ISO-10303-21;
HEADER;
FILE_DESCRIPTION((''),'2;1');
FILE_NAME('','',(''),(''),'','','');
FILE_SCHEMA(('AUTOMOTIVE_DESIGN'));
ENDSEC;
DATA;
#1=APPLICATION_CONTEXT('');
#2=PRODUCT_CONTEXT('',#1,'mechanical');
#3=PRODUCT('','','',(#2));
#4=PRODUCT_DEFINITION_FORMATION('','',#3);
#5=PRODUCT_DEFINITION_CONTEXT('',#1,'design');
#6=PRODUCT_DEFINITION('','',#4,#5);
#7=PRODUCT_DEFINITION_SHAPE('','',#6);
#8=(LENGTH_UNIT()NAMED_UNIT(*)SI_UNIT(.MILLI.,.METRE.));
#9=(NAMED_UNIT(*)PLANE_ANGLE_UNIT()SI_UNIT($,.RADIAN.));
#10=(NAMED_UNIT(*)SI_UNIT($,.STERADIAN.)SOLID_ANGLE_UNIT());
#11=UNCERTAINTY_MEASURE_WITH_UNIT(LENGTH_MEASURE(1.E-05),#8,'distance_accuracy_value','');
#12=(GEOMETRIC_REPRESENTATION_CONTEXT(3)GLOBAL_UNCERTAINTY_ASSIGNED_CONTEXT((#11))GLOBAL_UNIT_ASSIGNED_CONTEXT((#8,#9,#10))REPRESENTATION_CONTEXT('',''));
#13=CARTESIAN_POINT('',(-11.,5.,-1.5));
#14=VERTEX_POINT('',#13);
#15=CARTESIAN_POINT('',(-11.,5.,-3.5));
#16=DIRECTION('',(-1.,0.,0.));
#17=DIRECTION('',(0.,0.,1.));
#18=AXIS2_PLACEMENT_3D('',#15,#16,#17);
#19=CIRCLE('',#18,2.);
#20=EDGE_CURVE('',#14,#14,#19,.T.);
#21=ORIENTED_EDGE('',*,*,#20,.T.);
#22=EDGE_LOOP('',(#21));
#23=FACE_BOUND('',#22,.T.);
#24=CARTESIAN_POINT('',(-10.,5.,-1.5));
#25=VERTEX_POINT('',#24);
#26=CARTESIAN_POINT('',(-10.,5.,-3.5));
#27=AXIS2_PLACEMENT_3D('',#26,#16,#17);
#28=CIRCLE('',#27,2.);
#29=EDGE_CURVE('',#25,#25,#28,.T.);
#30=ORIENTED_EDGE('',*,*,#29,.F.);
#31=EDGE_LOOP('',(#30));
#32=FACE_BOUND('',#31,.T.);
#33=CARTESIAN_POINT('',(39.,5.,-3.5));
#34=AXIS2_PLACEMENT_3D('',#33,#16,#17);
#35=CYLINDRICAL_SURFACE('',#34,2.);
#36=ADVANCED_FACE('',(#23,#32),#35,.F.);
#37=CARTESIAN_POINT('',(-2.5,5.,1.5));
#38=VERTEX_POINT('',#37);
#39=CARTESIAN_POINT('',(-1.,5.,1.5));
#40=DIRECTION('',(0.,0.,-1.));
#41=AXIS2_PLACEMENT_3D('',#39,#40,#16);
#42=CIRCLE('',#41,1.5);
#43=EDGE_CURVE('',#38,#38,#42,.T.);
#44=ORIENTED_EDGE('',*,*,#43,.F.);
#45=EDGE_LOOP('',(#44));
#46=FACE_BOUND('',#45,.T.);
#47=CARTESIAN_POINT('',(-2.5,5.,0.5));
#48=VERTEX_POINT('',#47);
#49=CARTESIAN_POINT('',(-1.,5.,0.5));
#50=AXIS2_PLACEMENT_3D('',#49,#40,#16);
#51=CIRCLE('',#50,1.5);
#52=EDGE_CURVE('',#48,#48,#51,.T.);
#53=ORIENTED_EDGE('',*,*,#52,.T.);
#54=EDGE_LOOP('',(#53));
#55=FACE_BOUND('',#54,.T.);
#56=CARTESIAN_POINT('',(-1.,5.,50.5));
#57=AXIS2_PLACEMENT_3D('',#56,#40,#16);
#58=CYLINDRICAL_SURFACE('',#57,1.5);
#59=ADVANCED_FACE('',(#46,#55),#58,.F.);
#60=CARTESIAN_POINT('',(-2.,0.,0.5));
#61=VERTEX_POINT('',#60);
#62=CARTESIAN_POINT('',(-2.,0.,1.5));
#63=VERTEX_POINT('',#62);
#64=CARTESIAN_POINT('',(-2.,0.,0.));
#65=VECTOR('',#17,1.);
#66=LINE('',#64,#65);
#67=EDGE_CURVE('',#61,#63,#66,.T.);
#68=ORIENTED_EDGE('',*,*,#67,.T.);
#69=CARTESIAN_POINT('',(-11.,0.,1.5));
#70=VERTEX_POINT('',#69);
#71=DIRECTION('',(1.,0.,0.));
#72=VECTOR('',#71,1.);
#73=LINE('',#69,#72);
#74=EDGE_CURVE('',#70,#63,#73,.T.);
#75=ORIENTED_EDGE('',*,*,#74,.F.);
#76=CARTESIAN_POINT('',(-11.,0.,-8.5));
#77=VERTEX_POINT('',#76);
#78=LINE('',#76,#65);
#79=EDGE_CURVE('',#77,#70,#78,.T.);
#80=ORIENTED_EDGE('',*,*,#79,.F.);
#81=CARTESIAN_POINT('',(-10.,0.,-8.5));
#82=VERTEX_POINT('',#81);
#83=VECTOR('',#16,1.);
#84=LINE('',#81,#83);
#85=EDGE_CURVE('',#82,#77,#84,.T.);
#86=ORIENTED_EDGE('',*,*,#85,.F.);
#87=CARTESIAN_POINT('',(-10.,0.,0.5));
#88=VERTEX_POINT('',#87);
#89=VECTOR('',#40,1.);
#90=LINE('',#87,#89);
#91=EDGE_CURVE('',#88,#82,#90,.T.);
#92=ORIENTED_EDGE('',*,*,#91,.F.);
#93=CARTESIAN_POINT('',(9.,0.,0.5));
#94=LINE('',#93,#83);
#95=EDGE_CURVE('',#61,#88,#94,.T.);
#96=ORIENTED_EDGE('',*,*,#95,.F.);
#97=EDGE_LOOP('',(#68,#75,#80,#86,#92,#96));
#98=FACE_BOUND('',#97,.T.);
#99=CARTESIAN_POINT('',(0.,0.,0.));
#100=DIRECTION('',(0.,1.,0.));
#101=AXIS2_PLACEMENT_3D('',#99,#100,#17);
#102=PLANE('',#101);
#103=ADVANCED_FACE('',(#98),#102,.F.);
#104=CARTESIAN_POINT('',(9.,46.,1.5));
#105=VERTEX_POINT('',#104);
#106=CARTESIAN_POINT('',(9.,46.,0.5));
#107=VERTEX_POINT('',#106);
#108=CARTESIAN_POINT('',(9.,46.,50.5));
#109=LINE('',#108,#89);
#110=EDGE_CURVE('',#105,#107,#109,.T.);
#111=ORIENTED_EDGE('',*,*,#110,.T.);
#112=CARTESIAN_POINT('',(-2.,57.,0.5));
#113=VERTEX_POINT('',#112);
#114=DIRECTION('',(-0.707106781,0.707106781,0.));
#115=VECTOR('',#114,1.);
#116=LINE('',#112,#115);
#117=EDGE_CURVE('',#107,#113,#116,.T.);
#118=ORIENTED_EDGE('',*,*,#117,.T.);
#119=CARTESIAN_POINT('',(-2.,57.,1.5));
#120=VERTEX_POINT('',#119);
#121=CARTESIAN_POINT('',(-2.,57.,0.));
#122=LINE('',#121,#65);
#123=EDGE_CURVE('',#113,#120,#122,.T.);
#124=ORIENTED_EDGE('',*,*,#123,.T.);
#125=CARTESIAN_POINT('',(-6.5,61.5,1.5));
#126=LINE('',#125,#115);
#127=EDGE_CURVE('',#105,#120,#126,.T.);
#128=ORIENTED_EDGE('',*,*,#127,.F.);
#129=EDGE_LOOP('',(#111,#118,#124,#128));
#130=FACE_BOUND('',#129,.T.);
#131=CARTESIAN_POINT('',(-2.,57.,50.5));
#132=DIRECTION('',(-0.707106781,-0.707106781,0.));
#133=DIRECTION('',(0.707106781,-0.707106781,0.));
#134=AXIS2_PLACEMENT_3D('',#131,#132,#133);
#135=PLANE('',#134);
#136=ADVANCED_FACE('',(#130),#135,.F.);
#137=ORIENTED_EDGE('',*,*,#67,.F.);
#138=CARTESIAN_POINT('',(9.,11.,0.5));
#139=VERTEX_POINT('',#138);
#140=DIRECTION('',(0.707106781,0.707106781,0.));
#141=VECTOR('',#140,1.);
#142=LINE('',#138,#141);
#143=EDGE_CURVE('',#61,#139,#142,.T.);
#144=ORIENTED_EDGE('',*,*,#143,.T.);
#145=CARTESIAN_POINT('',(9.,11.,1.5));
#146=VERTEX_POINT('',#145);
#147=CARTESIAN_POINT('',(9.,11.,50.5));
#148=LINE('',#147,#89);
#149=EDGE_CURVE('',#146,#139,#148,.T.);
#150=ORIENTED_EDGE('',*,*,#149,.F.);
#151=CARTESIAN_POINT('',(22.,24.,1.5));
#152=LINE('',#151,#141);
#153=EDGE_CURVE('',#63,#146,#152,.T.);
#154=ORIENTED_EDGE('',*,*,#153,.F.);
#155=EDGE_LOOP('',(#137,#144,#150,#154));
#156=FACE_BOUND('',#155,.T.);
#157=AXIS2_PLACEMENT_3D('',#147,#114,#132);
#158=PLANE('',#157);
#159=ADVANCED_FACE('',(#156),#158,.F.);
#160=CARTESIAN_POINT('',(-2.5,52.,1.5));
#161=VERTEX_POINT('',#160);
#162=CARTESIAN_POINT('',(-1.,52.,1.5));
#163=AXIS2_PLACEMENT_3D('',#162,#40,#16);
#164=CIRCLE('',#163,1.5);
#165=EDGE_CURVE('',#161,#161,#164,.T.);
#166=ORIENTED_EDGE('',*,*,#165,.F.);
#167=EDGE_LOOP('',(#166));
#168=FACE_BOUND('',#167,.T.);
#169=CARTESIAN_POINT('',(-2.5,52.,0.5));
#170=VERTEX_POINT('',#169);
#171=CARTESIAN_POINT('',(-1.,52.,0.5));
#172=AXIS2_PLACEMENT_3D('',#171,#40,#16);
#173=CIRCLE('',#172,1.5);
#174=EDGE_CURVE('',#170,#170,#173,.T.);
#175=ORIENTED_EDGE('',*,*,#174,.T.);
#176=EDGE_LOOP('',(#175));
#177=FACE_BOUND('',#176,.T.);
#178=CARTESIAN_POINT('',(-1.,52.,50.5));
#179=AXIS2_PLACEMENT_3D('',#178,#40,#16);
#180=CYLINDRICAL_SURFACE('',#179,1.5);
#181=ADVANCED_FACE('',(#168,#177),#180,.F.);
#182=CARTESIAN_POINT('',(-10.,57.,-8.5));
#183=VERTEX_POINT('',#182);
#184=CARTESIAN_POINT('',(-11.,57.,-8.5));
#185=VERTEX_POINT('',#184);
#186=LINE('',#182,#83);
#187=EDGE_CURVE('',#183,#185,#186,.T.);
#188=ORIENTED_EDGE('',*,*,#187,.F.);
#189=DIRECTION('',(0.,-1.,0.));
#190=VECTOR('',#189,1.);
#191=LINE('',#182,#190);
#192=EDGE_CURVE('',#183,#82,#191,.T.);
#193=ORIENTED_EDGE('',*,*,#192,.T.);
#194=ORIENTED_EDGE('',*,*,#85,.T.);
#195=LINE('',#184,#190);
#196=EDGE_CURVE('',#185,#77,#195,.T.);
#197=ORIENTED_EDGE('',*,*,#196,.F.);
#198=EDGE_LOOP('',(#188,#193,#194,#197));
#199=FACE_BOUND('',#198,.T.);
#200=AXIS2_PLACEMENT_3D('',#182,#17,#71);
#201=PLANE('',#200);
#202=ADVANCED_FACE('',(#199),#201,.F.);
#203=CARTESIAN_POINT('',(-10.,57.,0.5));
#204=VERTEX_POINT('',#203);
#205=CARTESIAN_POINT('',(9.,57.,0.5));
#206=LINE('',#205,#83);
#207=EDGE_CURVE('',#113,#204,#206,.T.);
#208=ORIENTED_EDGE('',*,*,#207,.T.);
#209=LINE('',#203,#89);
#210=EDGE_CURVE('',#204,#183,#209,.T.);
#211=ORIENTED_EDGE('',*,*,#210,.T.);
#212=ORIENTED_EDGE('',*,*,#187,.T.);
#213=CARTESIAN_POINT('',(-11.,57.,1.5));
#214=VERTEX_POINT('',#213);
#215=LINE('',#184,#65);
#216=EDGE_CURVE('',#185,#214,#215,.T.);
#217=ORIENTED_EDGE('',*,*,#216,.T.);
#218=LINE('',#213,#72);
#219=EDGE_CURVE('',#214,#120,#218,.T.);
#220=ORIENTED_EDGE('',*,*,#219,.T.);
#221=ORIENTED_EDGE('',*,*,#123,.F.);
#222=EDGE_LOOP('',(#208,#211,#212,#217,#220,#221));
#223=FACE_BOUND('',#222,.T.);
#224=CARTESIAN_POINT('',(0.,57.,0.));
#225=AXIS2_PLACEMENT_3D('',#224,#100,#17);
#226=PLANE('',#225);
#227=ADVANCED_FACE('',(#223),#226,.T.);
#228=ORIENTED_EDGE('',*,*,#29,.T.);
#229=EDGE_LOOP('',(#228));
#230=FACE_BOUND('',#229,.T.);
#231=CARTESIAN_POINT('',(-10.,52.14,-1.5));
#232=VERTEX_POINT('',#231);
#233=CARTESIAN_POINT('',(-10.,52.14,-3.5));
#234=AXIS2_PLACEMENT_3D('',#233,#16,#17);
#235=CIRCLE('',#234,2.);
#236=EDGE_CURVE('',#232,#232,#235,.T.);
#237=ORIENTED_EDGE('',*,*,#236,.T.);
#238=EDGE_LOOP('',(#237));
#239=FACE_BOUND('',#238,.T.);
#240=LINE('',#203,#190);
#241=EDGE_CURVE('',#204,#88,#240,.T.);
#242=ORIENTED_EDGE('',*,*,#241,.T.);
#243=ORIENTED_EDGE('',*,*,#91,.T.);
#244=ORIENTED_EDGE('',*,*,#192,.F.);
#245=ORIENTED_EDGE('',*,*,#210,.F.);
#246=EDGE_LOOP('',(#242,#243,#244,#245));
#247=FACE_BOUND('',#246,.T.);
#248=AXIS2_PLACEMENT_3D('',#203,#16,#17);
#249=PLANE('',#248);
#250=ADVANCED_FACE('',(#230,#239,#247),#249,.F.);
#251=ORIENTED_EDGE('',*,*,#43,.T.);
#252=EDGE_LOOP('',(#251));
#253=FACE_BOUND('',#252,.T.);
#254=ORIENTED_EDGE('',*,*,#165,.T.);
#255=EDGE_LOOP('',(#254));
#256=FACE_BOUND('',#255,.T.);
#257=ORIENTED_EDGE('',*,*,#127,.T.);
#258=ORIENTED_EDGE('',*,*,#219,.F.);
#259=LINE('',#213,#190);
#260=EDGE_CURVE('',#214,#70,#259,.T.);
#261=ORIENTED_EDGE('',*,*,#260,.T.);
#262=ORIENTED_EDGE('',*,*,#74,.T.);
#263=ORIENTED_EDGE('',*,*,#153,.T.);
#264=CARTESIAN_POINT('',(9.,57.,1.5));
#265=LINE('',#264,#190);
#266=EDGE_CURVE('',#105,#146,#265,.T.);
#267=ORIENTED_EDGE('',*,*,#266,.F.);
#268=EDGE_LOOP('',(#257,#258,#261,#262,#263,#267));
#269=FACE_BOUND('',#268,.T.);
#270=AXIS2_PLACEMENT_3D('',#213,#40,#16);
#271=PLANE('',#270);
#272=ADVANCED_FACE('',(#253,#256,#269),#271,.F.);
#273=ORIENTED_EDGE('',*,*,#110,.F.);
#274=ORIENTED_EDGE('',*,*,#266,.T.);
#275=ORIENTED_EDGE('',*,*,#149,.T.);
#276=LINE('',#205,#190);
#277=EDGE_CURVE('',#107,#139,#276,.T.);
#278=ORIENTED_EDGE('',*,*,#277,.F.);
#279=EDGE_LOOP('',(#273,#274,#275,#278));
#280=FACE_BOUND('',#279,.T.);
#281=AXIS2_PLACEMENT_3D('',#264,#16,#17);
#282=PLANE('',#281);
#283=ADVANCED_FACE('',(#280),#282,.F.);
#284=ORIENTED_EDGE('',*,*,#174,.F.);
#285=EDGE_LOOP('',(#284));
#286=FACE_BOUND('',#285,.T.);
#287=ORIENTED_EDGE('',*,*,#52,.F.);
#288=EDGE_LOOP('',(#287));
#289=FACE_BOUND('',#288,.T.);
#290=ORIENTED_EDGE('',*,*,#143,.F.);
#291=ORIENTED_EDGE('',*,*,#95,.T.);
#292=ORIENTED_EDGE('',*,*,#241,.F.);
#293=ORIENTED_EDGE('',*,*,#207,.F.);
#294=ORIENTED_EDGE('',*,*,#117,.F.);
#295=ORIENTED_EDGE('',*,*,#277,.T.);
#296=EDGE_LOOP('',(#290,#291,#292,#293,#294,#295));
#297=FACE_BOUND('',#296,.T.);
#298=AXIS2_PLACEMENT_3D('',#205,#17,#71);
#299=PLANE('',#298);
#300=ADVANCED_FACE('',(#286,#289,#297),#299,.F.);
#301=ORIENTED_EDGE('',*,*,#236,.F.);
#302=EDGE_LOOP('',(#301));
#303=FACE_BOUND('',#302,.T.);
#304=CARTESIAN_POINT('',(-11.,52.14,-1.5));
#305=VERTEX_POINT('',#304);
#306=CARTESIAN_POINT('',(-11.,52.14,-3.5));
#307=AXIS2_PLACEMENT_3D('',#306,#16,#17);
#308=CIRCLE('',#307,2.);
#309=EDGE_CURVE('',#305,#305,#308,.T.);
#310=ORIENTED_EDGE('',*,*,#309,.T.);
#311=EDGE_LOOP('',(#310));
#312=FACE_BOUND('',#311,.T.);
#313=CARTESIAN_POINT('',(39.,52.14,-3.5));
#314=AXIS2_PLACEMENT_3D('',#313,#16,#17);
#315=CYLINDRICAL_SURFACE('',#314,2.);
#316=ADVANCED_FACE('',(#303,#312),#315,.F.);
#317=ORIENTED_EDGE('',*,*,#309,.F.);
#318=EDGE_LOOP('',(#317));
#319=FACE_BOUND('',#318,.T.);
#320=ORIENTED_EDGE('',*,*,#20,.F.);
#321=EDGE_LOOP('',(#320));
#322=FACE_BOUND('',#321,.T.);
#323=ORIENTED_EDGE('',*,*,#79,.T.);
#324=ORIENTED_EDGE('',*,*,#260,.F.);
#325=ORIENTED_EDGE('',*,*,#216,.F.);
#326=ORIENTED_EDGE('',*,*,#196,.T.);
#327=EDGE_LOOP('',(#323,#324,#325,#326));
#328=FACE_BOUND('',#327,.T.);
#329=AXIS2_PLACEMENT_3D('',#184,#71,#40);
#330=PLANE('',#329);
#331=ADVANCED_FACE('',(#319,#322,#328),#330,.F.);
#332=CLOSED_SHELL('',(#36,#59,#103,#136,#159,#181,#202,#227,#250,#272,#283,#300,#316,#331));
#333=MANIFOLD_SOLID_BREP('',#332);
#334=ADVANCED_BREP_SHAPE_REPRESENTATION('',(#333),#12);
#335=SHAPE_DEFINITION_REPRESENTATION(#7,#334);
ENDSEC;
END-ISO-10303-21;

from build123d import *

# Parameters (mm, degrees)
BOSS_EXTRU_1_DEPTH      = 57
ESQUISSE2_R             = 2
ENL_V_MAT_EXTRU_1_DEPTH = 50
ESQUISSE3_R             = 1.5
ENL_V_MAT_EXTRU_2_DEPTH = 50


with BuildPart() as part:
    # Esquisse1 → Boss.-Extru.1 (new body)
    with BuildSketch(Plane(origin=(0, 0, 0), x_dir=(1, 0, 0), z_dir=(0, 1, 0))):
        Polygon((-11, 8.5), (-11, -1.5), (9, -1.5), (9, -0.5), (-10, -0.5), (-10, 8.5), align=None)
    extrude(amount=BOSS_EXTRU_1_DEPTH)

    # Esquisse2 → Enlèv. mat.-Extru.1 (cut)
    with BuildSketch(Plane.ZY.offset(11)):
        with Locations((-3.5, 52.14)):
            Circle(ESQUISSE2_R)
        with Locations((-3.5, 5)):
            Circle(ESQUISSE2_R)
    extrude(amount=-ENL_V_MAT_EXTRU_1_DEPTH, mode=Mode.SUBTRACT)

    # Esquisse3 → Enlèv. mat.-Extru.2 (cut)
    with BuildSketch(Plane(origin=(0, 0, 0.5), x_dir=(-1, 0, 0), z_dir=(0, 0, -1))):
        with Locations((1, 52)):
            Circle(ESQUISSE3_R)
        with Locations((1, 5)):
            Circle(ESQUISSE3_R)
        Polygon((2, 57), (-9, 46), (-9, 57), align=None)
        Polygon((-9, 0), (-9, 11), (2, 0), align=None)
    extrude(amount=-ENL_V_MAT_EXTRU_2_DEPTH, mode=Mode.SUBTRACT)


solid = part.part
